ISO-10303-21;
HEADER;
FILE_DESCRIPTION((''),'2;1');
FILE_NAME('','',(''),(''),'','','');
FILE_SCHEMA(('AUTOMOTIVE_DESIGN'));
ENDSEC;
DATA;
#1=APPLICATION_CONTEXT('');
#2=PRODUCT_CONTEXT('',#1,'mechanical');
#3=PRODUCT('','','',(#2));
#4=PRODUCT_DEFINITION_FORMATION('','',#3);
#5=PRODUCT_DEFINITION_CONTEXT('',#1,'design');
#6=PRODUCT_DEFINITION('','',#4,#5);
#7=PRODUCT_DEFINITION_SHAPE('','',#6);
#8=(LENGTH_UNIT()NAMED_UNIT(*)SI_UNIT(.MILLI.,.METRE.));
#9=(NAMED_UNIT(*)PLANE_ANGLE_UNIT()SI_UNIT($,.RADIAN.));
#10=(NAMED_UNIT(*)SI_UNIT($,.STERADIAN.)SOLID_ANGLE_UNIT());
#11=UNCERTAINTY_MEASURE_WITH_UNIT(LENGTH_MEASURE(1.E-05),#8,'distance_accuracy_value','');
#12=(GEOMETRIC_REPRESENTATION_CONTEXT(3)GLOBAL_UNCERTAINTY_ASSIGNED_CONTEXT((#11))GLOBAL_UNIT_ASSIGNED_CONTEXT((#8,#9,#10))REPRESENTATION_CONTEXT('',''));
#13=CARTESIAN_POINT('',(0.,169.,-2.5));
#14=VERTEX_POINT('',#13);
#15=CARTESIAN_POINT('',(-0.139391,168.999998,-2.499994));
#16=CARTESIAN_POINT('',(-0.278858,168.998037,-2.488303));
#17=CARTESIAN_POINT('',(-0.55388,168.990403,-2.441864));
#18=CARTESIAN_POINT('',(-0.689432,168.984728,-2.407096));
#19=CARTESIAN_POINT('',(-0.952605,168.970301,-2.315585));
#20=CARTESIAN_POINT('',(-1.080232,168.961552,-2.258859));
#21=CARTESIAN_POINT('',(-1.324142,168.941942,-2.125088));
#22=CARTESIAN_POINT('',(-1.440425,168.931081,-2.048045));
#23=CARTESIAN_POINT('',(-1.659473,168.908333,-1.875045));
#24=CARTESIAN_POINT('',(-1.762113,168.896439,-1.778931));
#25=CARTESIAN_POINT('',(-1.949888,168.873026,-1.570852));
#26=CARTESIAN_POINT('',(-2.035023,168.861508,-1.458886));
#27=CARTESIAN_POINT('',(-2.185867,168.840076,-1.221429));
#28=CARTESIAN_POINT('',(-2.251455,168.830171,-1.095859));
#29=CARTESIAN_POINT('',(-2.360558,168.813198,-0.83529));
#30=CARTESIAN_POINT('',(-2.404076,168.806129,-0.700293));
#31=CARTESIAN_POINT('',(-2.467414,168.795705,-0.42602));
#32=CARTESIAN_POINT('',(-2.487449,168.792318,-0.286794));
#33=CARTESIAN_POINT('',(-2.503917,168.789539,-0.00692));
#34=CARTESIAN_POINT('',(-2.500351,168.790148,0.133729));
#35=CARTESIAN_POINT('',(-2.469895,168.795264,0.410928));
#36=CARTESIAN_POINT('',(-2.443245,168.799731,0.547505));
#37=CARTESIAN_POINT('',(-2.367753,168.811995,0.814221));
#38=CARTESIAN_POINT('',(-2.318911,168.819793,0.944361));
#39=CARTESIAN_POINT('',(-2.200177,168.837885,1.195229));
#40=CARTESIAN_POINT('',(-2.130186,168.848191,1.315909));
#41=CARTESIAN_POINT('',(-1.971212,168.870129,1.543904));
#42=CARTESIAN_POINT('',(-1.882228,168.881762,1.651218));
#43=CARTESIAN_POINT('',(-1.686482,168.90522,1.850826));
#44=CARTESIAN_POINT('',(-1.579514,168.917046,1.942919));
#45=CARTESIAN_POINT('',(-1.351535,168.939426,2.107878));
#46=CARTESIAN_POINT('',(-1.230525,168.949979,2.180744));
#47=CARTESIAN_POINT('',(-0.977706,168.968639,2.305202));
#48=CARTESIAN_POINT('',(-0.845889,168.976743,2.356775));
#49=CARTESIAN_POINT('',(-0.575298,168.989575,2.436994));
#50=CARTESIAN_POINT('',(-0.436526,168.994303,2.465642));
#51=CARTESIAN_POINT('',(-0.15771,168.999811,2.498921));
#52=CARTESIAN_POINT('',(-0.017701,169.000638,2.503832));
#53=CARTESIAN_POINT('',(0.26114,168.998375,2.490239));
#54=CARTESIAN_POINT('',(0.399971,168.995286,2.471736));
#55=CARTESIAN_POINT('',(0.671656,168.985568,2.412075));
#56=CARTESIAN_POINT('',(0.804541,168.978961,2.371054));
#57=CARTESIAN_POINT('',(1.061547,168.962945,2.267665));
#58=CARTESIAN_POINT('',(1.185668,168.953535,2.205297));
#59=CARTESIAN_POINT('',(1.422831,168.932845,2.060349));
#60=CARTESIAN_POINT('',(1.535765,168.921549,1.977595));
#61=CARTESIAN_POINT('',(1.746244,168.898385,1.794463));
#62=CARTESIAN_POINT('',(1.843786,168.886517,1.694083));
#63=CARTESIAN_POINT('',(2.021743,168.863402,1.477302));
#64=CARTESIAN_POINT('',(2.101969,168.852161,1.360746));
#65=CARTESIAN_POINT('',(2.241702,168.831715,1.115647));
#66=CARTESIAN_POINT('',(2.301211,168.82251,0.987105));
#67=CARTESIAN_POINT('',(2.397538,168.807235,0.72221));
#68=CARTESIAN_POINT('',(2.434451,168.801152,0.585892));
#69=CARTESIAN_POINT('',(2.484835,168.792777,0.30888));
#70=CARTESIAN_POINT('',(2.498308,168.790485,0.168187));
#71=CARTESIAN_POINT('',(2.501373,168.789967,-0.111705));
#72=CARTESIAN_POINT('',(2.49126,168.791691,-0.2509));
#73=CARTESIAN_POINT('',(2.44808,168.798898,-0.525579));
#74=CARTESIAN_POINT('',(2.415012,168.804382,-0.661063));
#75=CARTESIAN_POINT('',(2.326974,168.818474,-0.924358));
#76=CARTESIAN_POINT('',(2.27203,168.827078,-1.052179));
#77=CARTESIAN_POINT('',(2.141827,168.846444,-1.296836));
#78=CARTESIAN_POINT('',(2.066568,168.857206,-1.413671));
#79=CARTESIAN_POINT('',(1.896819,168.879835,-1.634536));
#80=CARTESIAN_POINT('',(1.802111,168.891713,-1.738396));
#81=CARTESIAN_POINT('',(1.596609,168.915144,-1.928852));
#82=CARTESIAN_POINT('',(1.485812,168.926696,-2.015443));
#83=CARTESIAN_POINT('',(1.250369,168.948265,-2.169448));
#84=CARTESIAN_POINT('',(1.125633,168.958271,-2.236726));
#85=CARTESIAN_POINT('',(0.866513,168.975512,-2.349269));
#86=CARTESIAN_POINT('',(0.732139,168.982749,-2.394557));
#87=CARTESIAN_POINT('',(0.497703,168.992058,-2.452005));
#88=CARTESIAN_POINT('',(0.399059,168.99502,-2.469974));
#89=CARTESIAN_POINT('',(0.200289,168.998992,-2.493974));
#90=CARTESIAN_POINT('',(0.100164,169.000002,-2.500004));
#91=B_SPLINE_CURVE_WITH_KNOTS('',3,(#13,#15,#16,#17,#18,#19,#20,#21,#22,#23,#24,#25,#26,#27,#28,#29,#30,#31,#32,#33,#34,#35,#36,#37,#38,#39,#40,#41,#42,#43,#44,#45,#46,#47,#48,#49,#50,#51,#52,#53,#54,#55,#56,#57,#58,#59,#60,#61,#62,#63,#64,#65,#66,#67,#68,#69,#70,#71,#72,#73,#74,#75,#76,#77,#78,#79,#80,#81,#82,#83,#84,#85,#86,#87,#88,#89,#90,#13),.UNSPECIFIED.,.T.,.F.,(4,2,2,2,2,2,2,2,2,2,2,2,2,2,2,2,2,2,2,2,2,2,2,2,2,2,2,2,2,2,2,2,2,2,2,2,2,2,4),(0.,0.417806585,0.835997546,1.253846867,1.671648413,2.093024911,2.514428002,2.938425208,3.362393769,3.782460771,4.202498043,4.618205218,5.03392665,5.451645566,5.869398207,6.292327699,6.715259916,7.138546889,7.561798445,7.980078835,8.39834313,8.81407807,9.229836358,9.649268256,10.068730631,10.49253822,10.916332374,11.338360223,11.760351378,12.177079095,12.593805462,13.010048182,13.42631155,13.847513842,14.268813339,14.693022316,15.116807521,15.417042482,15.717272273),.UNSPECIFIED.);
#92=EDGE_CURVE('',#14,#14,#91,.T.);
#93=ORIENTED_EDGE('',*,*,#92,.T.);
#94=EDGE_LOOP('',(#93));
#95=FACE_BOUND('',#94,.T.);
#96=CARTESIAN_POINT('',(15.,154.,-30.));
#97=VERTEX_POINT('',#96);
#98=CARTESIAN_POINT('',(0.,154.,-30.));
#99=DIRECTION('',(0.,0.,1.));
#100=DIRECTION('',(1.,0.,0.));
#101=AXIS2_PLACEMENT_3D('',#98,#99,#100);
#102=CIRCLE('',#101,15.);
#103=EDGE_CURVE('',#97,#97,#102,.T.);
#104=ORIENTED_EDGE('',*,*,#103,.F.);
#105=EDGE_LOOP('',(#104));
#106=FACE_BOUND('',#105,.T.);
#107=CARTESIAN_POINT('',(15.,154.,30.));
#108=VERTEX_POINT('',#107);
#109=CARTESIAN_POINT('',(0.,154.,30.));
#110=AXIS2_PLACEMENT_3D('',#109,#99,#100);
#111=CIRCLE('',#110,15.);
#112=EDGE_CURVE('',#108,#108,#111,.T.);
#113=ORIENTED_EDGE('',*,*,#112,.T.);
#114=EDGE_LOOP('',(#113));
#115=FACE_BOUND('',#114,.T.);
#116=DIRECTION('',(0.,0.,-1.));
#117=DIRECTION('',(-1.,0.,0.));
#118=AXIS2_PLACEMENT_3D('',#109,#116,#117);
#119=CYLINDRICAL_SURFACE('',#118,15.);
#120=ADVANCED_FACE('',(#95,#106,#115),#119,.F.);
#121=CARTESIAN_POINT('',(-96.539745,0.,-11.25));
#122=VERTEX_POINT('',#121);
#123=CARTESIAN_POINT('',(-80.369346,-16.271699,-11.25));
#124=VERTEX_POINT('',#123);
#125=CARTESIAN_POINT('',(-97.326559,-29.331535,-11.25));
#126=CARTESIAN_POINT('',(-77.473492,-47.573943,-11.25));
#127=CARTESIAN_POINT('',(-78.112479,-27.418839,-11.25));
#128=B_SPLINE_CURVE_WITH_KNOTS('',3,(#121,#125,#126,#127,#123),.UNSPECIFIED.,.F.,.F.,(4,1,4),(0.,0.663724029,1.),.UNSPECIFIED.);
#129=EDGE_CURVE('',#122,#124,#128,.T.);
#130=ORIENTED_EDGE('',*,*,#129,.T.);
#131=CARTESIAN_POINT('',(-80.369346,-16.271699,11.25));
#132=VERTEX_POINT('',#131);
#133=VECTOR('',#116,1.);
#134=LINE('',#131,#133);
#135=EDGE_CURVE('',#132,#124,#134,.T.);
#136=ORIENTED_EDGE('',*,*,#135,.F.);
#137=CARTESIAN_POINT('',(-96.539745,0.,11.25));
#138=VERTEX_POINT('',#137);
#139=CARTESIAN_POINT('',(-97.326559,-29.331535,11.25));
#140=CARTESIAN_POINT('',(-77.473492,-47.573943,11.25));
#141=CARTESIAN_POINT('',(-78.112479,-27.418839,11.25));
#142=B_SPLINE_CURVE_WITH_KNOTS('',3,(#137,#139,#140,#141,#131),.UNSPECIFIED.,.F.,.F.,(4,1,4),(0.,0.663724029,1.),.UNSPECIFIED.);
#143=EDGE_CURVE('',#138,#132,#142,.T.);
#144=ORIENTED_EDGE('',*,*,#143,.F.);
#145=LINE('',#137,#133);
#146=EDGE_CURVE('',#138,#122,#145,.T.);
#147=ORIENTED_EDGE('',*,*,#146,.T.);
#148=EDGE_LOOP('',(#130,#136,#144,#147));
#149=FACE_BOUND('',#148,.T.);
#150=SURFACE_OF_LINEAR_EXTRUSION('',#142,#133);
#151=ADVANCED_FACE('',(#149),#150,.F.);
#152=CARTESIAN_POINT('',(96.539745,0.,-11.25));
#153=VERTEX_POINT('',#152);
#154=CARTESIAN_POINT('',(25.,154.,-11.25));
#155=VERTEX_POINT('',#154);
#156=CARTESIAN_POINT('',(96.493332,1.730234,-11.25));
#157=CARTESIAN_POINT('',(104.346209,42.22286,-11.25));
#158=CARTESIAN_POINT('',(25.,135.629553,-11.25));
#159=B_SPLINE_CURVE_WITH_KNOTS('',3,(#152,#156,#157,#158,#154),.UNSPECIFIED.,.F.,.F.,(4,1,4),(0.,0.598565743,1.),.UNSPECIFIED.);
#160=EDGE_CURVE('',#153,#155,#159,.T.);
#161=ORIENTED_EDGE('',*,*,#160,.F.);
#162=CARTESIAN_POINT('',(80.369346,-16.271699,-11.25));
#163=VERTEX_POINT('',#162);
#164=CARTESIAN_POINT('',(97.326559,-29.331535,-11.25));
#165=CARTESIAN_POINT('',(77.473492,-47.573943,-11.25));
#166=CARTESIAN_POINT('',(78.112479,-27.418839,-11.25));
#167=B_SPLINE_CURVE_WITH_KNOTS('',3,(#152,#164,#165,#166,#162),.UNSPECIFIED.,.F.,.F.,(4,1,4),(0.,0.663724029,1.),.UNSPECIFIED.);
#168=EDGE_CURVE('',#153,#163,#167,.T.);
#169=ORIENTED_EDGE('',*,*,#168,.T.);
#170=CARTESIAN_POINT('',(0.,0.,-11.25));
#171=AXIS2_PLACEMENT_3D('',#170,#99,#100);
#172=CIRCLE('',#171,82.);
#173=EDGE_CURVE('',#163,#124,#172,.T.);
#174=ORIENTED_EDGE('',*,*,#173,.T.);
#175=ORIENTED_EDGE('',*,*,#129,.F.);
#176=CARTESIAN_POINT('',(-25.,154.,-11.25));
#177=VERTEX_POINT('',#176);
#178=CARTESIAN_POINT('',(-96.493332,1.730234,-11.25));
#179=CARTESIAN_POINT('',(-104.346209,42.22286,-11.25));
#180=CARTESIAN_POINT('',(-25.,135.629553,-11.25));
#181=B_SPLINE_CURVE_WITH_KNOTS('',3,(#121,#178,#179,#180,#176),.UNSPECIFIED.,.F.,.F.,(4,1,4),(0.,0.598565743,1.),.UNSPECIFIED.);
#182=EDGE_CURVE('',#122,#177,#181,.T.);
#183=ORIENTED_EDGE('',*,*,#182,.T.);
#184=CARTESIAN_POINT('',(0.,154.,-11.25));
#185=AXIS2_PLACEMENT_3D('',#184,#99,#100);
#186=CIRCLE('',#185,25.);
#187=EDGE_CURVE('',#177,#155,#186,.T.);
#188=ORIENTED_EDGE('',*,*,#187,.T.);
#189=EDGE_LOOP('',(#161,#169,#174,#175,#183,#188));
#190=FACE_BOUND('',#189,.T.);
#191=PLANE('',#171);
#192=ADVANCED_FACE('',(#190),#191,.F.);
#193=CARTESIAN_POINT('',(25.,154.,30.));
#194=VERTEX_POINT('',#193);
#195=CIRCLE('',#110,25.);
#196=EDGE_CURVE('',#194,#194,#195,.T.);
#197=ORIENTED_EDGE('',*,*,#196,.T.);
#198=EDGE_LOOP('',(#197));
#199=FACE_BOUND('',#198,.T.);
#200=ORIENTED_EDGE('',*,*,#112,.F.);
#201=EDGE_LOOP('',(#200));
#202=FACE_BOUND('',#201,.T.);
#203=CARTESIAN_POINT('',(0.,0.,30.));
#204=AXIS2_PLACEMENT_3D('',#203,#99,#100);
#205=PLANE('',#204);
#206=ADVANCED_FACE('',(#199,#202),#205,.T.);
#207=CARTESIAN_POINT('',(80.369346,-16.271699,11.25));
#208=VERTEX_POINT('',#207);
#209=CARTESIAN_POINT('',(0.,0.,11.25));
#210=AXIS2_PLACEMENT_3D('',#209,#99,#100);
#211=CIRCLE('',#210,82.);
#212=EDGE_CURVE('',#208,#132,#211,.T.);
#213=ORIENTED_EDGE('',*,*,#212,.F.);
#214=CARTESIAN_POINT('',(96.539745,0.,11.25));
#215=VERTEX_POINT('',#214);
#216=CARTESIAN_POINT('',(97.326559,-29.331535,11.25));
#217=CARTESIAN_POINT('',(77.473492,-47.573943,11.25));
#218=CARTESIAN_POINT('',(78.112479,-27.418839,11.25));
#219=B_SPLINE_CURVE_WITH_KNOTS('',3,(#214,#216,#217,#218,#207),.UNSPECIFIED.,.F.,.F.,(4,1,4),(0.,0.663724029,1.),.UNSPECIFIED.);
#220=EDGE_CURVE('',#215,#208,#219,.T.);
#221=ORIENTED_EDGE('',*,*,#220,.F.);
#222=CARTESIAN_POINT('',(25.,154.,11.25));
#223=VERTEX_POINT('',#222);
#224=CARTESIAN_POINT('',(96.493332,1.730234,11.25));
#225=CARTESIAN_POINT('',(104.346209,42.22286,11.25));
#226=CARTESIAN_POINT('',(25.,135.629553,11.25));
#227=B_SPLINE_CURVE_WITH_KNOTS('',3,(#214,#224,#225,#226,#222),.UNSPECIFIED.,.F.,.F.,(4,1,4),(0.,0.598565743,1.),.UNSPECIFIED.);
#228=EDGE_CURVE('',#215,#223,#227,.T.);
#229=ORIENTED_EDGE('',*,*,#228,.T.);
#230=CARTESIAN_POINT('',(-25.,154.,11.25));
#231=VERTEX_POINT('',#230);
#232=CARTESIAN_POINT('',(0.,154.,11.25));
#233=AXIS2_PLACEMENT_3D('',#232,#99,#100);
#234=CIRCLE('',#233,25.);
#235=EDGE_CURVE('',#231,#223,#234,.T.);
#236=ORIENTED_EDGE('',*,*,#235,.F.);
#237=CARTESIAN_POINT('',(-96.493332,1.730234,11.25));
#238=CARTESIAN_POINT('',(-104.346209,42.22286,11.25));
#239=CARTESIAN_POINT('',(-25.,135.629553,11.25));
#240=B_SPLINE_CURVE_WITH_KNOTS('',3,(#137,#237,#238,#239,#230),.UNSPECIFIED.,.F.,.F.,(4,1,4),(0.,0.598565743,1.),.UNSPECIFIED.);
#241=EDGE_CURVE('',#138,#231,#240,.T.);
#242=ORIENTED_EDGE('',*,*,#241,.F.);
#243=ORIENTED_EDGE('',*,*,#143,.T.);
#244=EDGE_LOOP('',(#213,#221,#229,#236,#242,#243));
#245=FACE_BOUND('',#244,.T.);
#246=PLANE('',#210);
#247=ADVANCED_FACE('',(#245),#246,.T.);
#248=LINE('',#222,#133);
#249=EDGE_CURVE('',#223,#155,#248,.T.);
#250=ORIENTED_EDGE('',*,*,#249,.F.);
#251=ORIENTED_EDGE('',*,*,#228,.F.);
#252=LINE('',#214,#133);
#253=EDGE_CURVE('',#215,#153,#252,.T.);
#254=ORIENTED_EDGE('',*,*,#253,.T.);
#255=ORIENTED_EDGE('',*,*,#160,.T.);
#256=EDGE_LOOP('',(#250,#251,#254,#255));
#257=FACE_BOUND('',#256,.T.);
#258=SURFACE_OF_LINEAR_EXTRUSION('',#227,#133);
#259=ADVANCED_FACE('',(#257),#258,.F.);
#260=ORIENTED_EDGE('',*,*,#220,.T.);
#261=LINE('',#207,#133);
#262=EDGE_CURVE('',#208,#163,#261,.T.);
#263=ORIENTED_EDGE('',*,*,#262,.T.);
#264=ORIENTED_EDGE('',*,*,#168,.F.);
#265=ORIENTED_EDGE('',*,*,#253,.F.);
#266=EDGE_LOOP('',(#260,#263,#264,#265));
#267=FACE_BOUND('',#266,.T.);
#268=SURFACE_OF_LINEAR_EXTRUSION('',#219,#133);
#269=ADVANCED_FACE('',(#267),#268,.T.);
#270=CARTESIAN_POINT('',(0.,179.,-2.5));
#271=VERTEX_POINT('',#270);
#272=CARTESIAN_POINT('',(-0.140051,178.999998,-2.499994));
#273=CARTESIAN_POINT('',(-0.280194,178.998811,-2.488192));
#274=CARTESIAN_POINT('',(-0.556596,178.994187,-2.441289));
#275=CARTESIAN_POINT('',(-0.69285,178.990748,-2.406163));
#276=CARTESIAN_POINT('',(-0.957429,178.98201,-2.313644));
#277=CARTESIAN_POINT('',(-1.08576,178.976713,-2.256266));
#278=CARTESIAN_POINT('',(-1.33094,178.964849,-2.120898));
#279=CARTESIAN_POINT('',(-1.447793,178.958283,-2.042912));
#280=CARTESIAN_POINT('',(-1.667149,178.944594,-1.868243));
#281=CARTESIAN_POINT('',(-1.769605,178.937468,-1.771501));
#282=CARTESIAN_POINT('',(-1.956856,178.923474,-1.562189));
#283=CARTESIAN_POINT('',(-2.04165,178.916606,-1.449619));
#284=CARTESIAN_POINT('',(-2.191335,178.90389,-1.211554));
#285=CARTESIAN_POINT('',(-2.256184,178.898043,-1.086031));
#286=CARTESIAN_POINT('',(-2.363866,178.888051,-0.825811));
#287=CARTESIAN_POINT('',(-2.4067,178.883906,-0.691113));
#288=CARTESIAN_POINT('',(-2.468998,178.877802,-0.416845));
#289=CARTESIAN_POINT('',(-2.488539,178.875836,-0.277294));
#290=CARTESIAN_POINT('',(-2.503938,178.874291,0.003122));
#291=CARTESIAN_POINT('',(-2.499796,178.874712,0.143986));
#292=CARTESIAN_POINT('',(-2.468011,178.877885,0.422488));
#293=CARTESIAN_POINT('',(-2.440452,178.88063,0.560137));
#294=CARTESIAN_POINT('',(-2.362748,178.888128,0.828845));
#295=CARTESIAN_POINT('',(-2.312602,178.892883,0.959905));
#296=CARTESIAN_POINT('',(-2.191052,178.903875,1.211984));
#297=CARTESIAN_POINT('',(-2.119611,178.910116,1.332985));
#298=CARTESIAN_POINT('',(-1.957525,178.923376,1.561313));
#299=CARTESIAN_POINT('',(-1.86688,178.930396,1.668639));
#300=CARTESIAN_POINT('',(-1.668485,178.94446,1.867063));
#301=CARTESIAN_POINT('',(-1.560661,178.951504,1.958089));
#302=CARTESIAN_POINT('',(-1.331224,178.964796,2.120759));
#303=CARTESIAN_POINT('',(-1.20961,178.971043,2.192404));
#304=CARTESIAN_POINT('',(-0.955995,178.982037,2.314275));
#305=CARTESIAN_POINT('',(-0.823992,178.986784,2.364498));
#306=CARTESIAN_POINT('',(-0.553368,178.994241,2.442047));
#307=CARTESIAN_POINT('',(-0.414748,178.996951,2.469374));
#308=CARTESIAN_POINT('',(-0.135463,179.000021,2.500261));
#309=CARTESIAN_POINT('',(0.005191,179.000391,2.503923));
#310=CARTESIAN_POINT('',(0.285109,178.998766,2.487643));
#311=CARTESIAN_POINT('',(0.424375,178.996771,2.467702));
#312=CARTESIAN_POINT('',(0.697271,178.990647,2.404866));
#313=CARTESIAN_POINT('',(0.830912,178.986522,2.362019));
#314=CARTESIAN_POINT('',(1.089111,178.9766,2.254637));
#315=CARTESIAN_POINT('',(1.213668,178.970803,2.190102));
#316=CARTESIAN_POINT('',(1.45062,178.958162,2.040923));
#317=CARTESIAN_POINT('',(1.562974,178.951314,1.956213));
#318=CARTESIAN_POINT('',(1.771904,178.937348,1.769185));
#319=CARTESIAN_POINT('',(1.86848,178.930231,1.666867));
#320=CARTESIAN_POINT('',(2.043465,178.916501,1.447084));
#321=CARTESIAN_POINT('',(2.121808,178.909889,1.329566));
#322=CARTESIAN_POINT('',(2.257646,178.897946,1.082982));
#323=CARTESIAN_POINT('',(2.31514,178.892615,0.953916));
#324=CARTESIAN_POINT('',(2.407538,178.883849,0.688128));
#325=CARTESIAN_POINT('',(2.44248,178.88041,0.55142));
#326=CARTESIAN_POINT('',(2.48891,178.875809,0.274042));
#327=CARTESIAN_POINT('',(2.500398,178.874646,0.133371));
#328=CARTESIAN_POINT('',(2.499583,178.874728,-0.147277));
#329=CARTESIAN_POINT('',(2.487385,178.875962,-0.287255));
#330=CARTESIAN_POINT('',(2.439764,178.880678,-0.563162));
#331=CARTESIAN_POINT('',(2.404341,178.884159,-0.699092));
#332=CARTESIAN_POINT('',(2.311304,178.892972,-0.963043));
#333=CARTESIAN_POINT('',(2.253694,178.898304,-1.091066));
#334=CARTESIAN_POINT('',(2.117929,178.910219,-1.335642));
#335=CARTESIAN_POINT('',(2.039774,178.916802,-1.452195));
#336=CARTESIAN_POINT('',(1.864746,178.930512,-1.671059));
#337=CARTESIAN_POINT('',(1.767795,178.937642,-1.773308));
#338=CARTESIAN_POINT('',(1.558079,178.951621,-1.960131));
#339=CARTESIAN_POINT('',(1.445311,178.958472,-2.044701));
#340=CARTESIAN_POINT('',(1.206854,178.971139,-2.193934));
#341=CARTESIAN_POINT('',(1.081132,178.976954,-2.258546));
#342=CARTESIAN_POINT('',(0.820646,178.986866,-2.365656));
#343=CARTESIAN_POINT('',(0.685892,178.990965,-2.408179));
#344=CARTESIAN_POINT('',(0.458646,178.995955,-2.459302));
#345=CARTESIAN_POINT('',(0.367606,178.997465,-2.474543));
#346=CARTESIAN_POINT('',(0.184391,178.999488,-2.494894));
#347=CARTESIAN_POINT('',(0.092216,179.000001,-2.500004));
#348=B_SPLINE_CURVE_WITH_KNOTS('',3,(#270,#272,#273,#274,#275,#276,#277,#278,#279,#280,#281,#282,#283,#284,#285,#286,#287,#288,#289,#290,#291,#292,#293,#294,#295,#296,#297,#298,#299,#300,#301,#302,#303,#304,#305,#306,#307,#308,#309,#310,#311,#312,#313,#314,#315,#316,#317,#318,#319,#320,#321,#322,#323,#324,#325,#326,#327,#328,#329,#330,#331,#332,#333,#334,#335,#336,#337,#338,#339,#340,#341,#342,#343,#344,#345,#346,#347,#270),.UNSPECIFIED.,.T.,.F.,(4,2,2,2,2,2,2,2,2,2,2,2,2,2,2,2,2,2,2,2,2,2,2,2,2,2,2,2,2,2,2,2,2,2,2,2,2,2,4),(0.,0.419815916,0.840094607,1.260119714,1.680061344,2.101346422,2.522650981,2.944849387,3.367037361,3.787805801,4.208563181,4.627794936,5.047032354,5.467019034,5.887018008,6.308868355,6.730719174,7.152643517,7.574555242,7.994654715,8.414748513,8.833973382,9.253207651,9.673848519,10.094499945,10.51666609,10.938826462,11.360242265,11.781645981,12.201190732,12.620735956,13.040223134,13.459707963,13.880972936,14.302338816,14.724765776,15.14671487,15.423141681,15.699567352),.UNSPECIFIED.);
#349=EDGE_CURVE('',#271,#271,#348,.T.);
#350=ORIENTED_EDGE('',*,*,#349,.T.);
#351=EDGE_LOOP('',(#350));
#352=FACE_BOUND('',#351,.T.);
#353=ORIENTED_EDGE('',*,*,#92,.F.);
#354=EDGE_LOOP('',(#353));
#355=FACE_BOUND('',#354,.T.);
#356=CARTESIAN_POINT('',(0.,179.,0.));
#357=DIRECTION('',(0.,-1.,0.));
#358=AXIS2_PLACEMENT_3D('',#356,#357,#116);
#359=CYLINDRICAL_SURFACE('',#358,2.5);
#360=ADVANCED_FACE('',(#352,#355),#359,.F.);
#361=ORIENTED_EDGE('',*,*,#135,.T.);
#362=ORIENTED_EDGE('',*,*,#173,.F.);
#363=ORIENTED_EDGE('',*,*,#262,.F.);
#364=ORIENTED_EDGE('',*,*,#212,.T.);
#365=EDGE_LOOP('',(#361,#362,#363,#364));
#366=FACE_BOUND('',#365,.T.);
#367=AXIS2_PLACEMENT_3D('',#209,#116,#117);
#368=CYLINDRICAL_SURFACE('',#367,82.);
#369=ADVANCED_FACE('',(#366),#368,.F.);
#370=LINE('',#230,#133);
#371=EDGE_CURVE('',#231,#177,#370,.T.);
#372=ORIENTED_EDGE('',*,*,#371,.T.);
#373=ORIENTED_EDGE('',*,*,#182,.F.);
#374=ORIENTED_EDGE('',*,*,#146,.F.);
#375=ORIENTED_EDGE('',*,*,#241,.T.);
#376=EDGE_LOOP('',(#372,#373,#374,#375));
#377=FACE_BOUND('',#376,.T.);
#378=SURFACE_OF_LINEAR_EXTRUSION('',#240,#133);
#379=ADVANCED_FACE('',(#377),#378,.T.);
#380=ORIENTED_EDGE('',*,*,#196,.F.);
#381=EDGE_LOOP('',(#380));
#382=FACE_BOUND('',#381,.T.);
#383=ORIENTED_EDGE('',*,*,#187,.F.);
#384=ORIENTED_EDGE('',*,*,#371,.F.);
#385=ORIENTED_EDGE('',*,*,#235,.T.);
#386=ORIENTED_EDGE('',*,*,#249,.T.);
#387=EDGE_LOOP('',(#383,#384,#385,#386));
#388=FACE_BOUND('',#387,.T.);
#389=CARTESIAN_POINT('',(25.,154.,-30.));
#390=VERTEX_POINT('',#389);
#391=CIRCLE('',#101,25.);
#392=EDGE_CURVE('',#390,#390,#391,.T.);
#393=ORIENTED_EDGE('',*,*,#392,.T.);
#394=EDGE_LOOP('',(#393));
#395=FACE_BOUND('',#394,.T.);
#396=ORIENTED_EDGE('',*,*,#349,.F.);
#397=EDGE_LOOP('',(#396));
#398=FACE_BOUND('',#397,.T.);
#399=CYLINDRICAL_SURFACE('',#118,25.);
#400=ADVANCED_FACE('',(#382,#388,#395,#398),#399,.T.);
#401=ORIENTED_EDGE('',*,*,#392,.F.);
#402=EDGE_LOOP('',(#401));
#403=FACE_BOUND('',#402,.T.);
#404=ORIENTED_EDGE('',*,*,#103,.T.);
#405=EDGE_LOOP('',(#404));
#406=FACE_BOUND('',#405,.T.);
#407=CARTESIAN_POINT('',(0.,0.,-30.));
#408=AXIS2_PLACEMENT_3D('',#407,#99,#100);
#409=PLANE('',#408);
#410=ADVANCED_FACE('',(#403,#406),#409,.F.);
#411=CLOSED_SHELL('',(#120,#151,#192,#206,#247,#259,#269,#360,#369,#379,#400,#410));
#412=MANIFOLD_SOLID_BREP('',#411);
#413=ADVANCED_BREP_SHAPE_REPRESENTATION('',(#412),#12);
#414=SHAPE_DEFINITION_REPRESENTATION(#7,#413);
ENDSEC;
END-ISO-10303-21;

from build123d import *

# Parameters (mm, degrees)
BOSS_EXTRUDE1_DEPTH = 11.25
SKETCH1_3_R         = 25
SKETCH1_3_R_2       = 15
BOSS_EXTRUDE2_DEPTH = 30
CUT_EXTRUDE1_START  = -30
SKETCH3_R           = 2.5
CUT_EXTRUDE1_DEPTH  = 31


with BuildPart() as part:
    # Sketch1 → Boss-Extrude1 (new body, symmetric)
    with BuildSketch(Plane.XY):
        with BuildLine():
            ThreePointArc((-80.369346148, -16.271699348), (0, 82), (80.369346148, -16.271699348))
            add(Edge.make_bspline(
                [(96.539745155, 0), (97.326558794, -29.331535138), (77.47349205, -47.573942744), (78.112479352, -27.418839229), (80.369346148, -16.271699348)],
                knots=[0, 0, 0, 0, 0.663724029, 1, 1, 1, 1], degree=3))
            add(Edge.make_bspline(
                [(96.539745155, 0), (96.493331921, 1.730233625), (104.346209231, 42.222860352), (25, 135.629553039), (25, 154)],
                knots=[0, 0, 0, 0, 0.598565743, 1, 1, 1, 1], degree=3))
            ThreePointArc((25, 154), (0, 129), (-25, 154))
            add(Edge.make_bspline(
                [(-96.539745155, 0), (-96.493331921, 1.730233625), (-104.346209231, 42.222860352), (-25, 135.629553039), (-25, 154)],
                knots=[0, 0, 0, 0, 0.598565743, 1, 1, 1, 1], degree=3))
            add(Edge.make_bspline(
                [(-96.539745155, 0), (-97.326558794, -29.331535138), (-77.47349205, -47.573942744), (-78.112479352, -27.418839229), (-80.369346148, -16.271699348)],
                knots=[0, 0, 0, 0, 0.663724029, 1, 1, 1, 1], degree=3))
        make_face()
    extrude(amount=BOSS_EXTRUDE1_DEPTH, both=True)

    # Sketch1<3> → Boss-Extrude2 (add, symmetric)
    with BuildSketch(Plane.XY):
        with Locations((0, 154)):
            Circle(SKETCH1_3_R)
        with Locations((0, 154)):
            Circle(SKETCH1_3_R_2, mode=Mode.SUBTRACT)
    extrude(amount=BOSS_EXTRUDE2_DEPTH, both=True)

    # Sketch3 → Cut-Extrude1 (cut, through all)
    with BuildSketch(Plane(origin=(0, 180, 0), x_dir=(1, 0, 0), z_dir=(0, 1, 0)).offset(CUT_EXTRUDE1_START)):
        Circle(SKETCH3_R)
    extrude(amount=CUT_EXTRUDE1_DEPTH, mode=Mode.SUBTRACT)


solid = part.part
